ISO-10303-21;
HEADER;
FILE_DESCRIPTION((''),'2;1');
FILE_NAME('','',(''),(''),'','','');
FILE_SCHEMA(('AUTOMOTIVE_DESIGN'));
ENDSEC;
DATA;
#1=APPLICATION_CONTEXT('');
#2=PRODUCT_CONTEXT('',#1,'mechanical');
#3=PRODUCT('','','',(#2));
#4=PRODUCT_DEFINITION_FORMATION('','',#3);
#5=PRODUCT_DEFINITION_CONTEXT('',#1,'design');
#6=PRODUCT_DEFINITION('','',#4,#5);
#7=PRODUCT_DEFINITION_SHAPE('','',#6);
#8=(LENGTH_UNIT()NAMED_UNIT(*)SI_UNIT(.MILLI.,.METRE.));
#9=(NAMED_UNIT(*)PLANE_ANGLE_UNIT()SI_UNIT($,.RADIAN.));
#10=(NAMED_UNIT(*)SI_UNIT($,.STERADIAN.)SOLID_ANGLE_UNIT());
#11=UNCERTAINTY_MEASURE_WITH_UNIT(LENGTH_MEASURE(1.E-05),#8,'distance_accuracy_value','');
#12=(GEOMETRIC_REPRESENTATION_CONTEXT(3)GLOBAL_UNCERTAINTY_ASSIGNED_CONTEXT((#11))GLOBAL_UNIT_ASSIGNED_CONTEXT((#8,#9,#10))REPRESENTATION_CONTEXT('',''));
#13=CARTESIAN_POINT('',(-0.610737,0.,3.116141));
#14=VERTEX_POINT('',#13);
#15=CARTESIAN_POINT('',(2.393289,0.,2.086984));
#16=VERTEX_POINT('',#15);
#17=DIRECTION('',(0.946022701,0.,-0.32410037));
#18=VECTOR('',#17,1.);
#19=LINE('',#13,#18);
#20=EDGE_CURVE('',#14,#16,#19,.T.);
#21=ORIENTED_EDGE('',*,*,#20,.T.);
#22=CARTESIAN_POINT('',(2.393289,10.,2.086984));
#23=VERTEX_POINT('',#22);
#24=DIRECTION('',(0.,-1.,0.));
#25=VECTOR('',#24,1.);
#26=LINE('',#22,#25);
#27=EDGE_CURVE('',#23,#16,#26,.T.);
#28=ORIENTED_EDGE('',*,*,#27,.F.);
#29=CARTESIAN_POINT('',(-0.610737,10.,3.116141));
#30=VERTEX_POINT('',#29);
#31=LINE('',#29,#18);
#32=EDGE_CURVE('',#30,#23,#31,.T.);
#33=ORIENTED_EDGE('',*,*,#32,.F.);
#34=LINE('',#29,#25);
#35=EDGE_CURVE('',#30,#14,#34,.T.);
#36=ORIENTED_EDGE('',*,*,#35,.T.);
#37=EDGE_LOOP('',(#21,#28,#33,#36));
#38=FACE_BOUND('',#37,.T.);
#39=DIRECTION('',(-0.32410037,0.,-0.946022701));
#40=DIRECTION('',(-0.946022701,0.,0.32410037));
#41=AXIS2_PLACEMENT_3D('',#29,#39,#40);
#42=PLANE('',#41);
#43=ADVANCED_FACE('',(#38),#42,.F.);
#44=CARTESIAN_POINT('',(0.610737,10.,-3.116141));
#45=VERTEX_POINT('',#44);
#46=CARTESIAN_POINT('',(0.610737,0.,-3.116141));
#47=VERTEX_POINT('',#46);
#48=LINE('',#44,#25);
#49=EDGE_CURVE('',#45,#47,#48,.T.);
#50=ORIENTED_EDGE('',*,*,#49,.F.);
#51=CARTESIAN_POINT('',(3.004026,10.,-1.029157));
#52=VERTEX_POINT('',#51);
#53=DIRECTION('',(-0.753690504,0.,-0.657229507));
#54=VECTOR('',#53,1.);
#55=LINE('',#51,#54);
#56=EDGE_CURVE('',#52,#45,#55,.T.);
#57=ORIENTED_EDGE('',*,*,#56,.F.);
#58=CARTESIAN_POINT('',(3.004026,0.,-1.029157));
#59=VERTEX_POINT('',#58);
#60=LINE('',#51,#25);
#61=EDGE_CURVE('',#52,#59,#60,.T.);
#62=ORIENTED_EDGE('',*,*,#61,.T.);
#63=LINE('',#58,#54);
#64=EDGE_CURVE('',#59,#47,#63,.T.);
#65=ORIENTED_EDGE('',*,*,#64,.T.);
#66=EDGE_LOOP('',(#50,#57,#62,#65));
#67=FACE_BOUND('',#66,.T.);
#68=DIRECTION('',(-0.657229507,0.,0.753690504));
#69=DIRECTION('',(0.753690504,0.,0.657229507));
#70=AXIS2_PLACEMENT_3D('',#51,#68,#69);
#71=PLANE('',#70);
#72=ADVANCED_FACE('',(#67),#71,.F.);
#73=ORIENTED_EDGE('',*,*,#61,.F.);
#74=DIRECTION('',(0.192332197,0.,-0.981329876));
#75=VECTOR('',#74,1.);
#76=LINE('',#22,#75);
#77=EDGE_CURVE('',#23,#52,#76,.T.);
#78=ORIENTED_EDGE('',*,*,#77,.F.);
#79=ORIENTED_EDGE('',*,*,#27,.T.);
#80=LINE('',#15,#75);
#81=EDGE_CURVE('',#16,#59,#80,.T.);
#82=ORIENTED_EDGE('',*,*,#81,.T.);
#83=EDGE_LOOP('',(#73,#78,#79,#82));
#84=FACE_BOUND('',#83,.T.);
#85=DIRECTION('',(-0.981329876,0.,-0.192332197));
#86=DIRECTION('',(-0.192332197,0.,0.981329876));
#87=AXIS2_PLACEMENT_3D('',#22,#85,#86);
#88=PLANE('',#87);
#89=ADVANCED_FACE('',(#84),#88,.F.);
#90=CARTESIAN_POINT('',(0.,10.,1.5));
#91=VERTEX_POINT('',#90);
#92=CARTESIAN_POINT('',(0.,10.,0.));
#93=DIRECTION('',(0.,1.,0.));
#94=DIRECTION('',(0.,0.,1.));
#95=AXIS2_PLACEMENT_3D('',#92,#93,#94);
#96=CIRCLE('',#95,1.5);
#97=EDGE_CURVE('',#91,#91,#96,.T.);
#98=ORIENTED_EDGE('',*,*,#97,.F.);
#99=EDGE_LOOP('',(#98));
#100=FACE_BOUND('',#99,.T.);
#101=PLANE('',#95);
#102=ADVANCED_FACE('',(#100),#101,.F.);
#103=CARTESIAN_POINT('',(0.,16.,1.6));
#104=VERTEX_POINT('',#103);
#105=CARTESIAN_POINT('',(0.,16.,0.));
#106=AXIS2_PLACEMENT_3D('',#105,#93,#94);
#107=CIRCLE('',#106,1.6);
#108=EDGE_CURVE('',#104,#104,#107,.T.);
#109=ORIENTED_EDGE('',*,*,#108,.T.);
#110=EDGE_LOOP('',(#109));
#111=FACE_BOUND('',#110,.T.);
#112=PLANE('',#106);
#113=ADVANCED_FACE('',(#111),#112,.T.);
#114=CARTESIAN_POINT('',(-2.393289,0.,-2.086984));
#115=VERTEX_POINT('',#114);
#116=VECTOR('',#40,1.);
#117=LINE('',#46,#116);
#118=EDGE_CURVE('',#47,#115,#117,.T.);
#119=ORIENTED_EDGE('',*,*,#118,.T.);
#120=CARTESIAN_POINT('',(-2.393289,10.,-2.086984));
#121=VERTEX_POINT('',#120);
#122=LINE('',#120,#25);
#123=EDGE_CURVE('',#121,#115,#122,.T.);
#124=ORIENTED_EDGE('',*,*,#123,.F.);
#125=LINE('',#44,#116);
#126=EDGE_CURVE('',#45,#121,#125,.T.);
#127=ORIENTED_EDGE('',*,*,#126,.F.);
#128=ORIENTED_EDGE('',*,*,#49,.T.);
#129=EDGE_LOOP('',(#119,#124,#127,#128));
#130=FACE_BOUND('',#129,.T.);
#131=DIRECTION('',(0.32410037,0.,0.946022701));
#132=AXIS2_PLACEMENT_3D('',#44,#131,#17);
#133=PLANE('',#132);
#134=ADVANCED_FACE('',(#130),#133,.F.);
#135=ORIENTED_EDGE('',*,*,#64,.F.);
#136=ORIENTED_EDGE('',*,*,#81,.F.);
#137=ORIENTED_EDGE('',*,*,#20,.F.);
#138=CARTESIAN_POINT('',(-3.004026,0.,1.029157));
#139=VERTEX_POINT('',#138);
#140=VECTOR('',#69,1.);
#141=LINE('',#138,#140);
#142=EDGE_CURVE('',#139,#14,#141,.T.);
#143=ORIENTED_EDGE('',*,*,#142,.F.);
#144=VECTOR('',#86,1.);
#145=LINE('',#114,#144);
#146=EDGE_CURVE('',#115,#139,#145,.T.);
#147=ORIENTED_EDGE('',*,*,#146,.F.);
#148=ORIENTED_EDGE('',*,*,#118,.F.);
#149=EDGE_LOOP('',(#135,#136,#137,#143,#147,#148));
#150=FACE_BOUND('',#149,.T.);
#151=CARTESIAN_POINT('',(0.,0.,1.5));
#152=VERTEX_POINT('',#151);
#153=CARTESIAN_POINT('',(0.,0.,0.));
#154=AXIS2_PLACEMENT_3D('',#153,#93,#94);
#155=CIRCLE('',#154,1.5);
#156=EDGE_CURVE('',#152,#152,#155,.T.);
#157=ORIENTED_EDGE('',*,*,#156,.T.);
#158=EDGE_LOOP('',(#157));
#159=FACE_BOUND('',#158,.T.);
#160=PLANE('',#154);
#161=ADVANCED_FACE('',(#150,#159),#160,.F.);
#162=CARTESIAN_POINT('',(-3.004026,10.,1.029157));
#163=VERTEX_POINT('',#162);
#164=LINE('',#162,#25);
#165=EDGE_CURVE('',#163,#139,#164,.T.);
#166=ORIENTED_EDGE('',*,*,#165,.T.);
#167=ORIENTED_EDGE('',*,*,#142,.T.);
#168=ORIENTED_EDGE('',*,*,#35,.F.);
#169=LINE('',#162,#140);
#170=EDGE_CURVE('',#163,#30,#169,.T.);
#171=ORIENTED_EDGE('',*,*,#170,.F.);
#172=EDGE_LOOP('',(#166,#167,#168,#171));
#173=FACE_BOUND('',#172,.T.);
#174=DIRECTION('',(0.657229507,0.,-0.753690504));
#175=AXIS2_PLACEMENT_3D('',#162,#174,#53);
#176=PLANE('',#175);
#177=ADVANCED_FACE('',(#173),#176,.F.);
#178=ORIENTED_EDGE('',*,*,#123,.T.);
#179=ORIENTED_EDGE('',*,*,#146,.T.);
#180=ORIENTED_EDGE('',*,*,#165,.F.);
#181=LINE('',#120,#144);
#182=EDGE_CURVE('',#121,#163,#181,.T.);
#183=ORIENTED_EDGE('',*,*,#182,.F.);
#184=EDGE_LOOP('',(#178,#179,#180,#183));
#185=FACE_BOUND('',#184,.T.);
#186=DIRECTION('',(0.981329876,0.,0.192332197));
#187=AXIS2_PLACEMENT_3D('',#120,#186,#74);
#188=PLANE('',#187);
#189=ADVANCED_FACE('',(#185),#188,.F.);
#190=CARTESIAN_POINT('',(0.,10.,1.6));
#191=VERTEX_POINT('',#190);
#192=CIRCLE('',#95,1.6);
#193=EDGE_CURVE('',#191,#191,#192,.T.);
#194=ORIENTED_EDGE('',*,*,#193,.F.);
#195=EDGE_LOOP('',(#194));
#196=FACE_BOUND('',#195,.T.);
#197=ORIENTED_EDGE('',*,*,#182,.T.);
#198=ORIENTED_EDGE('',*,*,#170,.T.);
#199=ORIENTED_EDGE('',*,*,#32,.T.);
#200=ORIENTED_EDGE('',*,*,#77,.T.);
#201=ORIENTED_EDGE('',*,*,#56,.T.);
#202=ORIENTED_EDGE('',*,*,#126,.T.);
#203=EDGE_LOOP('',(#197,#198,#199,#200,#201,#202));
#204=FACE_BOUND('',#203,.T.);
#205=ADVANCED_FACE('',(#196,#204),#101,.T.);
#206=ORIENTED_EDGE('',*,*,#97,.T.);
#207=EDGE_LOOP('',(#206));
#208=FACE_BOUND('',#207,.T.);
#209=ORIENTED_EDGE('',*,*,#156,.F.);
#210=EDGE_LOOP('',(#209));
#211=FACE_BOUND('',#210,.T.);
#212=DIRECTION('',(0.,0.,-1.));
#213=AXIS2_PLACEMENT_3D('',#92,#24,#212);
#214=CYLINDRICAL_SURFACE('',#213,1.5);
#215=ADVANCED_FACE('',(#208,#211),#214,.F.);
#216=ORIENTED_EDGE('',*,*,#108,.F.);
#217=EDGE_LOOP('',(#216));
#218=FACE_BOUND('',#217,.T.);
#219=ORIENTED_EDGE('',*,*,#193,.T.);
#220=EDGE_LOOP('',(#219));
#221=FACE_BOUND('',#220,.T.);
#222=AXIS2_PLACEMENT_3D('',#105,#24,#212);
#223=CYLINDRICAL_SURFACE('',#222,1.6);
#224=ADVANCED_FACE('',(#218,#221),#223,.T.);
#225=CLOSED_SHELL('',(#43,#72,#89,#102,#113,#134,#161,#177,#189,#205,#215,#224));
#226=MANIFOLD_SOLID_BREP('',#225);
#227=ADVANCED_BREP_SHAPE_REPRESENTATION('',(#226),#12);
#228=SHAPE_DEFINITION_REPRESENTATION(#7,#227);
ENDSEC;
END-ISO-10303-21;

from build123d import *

# Parameters (mm, degrees)
SKETCH1_R           = 1.5
BOSS_EXTRUDE1_DEPTH = 10
SKETCH2_R           = 1.6
BOSS_EXTRUDE2_DEPTH = 6


with BuildPart() as part:
    # Sketch1 → Boss-Extrude1 (new body)
    with BuildSketch(Plane(origin=(0, 0, 0), x_dir=(1, 0, 0), z_dir=(0, 1, 0))):
        Polygon((3.004025535, 1.029156896), (0.610736751, 3.116140875), (-2.393288784, 2.086983979), (-3.004025535, -1.029156896), (-0.610736751, -3.116140875), (2.393288784, -2.086983979), align=None)
        with Locations(Location((0, 0, 0), (0, 0, 270))):
            Circle(SKETCH1_R, mode=Mode.SUBTRACT)
    extrude(amount=BOSS_EXTRUDE1_DEPTH)

    # Sketch2 → Boss-Extrude2 (add)
    with BuildSketch(Plane(origin=(0, 10, 0), x_dir=(1, 0, 0), z_dir=(0, 1, 0))):
        with Locations(Location((0, 0, 0), (0, 0, 270))):
            Circle(SKETCH2_R)
    extrude(amount=BOSS_EXTRUDE2_DEPTH)


solid = part.part
